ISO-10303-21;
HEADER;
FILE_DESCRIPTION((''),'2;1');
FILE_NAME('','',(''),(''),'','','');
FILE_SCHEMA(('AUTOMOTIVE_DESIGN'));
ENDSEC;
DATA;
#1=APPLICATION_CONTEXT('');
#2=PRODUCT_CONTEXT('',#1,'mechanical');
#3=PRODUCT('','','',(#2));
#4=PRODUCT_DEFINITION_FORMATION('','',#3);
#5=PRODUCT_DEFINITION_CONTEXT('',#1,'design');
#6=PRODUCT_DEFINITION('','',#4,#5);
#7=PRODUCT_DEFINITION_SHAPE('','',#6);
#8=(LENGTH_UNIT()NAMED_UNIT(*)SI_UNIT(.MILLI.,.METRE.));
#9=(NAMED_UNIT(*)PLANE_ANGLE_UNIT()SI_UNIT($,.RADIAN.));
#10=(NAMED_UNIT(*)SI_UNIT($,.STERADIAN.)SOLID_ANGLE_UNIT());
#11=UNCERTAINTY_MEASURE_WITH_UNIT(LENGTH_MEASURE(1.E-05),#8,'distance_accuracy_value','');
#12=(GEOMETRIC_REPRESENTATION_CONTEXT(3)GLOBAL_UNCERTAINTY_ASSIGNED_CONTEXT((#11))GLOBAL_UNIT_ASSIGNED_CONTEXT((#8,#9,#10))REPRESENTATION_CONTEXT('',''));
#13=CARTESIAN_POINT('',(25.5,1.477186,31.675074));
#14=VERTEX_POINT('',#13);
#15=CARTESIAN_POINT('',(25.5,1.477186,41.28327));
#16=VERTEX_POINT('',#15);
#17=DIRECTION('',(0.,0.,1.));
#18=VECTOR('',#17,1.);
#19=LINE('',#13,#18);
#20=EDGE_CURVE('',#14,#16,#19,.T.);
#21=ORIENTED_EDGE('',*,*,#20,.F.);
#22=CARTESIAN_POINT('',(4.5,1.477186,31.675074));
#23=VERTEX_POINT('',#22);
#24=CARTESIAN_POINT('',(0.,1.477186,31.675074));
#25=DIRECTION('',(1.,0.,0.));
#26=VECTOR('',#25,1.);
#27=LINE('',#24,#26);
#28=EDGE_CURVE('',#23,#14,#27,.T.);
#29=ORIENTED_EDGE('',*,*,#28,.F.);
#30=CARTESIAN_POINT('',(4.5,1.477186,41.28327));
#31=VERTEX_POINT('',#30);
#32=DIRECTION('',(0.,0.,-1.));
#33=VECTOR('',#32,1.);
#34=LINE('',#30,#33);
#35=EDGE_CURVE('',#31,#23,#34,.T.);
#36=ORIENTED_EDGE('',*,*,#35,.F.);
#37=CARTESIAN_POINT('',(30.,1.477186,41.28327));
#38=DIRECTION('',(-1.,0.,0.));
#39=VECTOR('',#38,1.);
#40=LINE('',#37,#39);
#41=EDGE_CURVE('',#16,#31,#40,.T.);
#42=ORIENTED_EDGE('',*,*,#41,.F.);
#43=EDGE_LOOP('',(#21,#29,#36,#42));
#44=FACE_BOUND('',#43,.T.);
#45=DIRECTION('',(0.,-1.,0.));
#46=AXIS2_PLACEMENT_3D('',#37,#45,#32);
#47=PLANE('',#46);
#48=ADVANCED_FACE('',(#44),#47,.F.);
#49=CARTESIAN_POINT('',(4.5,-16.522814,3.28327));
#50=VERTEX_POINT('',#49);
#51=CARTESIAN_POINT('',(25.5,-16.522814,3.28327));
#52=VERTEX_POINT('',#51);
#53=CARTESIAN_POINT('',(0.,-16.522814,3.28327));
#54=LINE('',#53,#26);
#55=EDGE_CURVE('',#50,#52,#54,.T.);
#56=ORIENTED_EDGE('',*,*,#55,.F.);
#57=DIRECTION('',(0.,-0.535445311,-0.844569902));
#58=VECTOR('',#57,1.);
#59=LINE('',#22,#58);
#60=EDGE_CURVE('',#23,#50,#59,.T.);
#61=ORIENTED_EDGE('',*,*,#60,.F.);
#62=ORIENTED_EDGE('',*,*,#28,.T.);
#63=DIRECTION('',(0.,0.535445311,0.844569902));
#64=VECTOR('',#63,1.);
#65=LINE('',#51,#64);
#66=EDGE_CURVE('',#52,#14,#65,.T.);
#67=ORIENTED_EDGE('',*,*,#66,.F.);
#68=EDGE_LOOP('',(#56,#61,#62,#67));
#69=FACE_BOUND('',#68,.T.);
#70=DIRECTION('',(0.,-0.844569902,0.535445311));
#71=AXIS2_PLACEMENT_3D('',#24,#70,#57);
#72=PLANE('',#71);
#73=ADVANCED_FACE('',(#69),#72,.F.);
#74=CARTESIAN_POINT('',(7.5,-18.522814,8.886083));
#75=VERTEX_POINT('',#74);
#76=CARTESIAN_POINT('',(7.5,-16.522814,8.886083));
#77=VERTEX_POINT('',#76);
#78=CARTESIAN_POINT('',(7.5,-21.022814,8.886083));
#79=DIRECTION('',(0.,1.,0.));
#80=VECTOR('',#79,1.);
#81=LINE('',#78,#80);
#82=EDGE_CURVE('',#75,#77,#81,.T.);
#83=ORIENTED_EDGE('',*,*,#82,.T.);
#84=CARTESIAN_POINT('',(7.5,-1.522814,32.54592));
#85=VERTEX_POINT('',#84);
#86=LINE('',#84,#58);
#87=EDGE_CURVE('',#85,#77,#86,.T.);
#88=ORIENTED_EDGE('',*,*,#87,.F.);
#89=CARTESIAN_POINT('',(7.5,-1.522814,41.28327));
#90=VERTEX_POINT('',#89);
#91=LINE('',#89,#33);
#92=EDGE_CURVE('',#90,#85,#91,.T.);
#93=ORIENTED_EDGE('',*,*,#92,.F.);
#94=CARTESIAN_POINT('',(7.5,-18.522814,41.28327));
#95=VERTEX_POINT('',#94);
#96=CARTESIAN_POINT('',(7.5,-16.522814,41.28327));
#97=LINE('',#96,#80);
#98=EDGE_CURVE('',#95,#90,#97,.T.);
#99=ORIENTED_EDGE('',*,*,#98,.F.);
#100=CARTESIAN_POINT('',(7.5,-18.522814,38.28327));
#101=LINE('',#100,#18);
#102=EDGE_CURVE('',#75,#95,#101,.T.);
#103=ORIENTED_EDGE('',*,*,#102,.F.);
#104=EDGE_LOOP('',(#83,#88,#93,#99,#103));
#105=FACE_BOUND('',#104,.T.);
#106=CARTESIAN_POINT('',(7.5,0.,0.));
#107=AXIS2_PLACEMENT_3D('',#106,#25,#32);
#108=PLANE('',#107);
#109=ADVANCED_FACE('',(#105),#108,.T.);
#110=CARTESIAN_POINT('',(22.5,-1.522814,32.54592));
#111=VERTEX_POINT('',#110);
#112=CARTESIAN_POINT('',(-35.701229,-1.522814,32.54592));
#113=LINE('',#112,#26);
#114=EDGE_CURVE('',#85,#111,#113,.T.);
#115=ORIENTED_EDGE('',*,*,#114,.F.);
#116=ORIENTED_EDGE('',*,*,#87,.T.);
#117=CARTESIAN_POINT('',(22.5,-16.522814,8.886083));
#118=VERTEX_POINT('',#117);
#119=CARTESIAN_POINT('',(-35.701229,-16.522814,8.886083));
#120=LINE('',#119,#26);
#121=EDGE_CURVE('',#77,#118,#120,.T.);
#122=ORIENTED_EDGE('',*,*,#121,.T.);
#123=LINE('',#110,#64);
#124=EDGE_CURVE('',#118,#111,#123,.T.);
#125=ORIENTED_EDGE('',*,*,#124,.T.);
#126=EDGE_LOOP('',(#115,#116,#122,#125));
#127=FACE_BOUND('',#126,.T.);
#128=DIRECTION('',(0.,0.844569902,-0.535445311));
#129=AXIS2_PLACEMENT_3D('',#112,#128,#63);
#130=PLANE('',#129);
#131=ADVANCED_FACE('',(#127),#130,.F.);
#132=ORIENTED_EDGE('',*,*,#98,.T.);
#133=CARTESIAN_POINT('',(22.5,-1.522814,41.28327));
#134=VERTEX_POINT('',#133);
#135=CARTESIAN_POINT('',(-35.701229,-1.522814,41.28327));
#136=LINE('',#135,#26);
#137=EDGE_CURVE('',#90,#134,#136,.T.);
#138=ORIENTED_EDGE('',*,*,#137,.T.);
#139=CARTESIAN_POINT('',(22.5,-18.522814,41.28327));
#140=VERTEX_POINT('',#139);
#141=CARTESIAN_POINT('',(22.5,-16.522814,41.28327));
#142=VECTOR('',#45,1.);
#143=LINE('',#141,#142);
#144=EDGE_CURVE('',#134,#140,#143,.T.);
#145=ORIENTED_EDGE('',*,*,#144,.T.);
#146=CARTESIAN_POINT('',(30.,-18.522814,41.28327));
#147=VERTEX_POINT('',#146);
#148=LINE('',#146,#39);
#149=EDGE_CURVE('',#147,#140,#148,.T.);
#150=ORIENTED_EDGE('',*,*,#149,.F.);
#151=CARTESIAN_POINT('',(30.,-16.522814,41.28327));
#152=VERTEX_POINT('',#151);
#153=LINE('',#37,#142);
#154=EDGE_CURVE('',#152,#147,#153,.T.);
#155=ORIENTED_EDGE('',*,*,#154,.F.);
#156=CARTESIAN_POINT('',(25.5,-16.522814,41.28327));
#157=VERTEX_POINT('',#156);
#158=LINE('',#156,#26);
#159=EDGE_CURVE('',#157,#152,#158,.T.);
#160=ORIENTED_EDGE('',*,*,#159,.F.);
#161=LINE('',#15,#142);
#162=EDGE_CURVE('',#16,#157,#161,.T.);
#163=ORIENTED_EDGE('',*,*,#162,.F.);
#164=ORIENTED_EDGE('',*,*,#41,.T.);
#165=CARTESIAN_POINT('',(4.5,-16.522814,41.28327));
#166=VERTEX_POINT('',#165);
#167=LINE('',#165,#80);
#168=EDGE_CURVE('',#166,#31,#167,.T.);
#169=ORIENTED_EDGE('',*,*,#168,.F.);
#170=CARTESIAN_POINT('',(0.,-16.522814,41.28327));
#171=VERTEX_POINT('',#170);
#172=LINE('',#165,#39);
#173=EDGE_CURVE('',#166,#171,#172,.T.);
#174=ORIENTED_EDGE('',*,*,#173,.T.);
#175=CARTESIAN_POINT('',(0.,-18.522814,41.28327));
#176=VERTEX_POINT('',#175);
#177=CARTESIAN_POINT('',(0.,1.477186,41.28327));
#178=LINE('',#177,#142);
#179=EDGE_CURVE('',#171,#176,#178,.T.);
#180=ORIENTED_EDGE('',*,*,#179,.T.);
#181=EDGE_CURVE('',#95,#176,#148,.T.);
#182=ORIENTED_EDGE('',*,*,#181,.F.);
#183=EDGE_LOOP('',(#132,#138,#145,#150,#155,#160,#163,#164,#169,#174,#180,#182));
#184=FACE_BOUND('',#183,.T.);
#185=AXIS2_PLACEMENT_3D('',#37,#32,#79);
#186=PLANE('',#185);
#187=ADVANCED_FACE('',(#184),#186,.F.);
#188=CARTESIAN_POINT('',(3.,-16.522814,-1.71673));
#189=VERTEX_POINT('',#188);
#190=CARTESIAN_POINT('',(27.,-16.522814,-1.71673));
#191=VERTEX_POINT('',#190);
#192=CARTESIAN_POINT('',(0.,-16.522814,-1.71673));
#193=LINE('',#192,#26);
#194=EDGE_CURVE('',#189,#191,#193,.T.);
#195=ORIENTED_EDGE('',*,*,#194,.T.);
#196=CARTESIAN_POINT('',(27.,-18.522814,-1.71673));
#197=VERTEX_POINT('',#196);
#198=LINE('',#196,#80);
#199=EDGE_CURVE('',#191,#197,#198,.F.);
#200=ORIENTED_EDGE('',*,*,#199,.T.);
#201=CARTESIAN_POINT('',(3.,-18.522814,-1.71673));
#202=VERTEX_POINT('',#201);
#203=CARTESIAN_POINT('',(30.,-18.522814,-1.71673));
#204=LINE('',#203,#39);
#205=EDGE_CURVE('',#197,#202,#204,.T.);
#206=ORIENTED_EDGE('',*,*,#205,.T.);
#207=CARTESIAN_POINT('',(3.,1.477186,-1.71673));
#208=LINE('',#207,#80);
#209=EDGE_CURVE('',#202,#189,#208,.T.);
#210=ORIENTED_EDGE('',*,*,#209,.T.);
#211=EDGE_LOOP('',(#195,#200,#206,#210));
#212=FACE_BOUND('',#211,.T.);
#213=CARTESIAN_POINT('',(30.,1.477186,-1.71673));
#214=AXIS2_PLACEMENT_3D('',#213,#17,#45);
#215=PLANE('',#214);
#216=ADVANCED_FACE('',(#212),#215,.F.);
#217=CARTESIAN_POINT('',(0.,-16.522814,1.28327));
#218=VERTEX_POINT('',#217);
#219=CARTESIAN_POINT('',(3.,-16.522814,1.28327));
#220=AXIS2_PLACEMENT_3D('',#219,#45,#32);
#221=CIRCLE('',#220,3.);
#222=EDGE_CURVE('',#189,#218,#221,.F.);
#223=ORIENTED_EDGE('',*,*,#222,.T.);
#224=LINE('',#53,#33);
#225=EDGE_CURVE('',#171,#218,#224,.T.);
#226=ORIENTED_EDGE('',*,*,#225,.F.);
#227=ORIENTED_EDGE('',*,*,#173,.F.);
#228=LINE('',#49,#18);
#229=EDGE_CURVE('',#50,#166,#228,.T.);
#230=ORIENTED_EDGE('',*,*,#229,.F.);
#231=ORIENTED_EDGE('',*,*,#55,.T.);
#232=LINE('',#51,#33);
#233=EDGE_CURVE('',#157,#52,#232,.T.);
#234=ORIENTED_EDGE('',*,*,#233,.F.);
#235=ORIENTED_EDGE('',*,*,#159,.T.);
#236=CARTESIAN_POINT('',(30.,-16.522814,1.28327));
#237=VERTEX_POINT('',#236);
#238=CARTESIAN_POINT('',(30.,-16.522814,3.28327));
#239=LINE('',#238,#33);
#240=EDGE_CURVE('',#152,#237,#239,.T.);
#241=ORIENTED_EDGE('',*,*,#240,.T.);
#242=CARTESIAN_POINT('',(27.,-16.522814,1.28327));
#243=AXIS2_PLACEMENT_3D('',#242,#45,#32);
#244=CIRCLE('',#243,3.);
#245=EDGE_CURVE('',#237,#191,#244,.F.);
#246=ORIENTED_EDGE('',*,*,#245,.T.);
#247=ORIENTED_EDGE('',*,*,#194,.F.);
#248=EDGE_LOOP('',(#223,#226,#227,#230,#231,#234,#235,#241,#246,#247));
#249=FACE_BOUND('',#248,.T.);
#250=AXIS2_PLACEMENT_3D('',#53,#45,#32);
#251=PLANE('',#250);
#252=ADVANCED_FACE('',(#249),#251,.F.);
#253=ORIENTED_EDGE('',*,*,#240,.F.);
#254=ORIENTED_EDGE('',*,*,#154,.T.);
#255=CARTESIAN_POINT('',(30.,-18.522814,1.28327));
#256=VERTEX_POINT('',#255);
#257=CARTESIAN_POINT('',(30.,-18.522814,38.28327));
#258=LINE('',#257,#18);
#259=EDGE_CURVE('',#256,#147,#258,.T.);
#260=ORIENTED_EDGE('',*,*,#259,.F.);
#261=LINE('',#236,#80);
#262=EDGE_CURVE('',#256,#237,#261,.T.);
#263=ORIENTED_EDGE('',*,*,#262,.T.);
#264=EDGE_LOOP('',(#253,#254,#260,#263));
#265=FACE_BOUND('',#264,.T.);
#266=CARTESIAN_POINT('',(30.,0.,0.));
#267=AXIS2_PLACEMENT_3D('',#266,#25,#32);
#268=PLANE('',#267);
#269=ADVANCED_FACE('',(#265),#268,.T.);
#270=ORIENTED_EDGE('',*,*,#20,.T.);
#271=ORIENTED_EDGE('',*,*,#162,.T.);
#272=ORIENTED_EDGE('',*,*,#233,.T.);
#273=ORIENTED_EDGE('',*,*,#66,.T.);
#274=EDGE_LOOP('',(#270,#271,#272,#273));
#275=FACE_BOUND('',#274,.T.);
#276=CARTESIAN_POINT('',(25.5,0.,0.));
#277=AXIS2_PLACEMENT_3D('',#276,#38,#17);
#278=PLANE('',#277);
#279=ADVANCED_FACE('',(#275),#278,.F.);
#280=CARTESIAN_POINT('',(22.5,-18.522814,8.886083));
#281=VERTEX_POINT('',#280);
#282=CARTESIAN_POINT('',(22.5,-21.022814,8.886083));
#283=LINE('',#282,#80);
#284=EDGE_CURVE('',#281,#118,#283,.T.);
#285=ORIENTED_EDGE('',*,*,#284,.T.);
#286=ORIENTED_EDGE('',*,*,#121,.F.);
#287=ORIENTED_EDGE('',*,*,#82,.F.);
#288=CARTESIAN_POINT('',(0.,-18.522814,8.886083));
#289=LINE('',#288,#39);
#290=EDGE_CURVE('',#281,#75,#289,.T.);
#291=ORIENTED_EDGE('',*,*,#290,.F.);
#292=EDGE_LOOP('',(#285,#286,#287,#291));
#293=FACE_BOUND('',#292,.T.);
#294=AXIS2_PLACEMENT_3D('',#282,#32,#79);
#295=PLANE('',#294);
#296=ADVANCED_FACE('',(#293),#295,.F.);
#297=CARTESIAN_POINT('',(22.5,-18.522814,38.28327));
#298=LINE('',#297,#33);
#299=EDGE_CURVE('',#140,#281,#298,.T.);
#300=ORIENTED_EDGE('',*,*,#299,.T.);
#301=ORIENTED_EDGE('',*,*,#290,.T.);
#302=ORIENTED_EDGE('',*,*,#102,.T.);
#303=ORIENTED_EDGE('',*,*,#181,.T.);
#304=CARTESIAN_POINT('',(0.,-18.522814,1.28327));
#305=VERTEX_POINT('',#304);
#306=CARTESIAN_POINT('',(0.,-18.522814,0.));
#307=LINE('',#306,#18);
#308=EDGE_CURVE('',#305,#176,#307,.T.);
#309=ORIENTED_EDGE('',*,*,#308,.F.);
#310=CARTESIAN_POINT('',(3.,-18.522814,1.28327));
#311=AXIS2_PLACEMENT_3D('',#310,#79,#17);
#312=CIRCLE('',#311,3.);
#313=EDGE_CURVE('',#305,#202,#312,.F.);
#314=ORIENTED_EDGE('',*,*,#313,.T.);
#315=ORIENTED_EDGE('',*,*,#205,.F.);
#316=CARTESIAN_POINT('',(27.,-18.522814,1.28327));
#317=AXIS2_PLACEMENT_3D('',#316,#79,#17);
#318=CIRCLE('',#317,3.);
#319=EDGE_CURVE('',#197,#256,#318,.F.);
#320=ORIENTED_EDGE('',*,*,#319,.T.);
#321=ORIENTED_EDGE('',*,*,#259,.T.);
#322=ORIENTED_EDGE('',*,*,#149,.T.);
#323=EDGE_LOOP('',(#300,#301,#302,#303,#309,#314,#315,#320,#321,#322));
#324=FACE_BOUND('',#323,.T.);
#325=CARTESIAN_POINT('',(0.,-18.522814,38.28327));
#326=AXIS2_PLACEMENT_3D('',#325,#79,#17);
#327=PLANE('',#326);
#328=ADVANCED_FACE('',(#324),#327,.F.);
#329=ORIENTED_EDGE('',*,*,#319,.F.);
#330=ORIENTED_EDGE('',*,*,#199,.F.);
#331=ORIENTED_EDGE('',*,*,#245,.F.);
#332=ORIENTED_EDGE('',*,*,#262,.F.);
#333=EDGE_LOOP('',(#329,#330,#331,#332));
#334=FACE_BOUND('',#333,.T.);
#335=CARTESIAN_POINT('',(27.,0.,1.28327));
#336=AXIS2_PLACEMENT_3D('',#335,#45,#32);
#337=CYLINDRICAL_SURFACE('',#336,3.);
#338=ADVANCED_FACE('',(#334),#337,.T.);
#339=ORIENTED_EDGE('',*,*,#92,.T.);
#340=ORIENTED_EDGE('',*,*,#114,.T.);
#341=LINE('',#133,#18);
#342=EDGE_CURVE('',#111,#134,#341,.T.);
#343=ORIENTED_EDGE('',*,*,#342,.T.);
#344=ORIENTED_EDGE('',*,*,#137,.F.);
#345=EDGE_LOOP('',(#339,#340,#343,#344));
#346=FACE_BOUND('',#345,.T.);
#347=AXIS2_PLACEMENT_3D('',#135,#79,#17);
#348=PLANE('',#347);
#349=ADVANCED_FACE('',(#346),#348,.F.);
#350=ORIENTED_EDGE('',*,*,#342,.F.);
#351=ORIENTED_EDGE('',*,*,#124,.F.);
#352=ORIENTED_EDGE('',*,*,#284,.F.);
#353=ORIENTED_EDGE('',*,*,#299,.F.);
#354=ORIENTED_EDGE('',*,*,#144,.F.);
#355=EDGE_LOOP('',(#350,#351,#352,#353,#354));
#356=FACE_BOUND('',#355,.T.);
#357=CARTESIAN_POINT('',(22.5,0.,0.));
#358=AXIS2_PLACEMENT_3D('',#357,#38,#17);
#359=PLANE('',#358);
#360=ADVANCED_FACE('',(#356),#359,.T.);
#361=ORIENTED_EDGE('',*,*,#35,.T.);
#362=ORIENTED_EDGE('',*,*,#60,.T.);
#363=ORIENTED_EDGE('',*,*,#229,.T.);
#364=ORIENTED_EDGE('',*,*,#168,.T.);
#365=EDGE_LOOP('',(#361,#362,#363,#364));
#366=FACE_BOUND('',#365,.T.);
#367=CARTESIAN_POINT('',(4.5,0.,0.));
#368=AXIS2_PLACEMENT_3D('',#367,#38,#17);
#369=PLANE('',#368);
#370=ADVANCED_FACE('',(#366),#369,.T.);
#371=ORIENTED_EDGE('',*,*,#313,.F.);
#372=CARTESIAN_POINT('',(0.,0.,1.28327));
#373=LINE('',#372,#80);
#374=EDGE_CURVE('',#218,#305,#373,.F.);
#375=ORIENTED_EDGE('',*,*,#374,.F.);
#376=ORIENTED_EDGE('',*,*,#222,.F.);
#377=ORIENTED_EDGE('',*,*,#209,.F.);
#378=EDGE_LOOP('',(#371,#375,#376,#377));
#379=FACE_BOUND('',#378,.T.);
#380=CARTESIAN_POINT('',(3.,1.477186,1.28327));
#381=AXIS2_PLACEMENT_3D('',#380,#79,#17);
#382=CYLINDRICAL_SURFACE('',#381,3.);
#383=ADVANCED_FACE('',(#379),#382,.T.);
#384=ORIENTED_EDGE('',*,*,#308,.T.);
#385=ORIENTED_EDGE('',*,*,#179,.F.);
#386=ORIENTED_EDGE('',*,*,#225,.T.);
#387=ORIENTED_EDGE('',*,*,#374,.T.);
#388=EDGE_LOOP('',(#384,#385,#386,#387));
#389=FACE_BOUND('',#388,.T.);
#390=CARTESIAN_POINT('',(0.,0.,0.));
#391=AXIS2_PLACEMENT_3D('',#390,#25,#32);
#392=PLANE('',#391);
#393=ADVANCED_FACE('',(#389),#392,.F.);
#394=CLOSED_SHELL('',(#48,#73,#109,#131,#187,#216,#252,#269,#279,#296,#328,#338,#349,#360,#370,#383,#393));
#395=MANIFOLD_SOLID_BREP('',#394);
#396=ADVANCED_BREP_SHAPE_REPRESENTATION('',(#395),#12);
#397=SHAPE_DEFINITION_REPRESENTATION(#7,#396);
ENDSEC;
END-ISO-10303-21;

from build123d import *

# Parameters (mm, degrees)
CROQUIS2_W              = 43
CROQUIS2_H              = 30
SALIENTE_EXTRUIR1_DEPTH = 30
CROQUIS3_W              = 42.529407755
CROQUIS3_H              = 25.558495791
CORTAR_EXTRUIR1_DEPTH   = 30
CORTAR_EXTRUIR2_START   = -7.5
CORTAR_EXTRUIR2_DEPTH   = 15
CORTAR_EXTRUIR4_DEPTH   = 4.5
CORTAR_EXTRUIR5_DEPTH   = 4.5
REDONDEO1_R             = 3
CROQUIS8_W              = 15
CROQUIS8_H              = 32.397186909
CORTAR_EXTRUIR6_DEPTH   = 4.5
CROQUIS9_W              = 120.283196461
CROQUIS9_H              = 78.810135234
CORTAR_EXTRUIR7_DEPTH   = 22.5


with BuildPart() as part:
    # Croquis2 → Saliente-Extruir1 (new body)
    with BuildSketch(Plane(origin=(0, 0, 0), x_dir=(0, 0, -1), z_dir=(1, 0, 0))):
        with Locations((-19.783269962, -13.522813688)):
            Rectangle(CROQUIS2_W, CROQUIS2_H)
    extrude(amount=SALIENTE_EXTRUIR1_DEPTH)

    # Croquis3 → Cortar-Extruir1 (cut)
    with BuildSketch(Plane(origin=(30, 0, 0), x_dir=(0, 0, -1), z_dir=(1, 0, 0))):
        with Locations((-17.018566085, -31.302061584)):
            Rectangle(CROQUIS3_W, CROQUIS3_H)
        Polygon((-31.675073764, 1.477186312), (-3.283269962, -16.522813688), (1.716730038, -16.522813688), (1.716730038, 1.477186312), align=None)
    extrude(amount=-CORTAR_EXTRUIR1_DEPTH, mode=Mode.SUBTRACT)

    # Croquis4 → Cortar-Extruir2 (cut)
    with BuildSketch(Plane(origin=(30, 0, 0), x_dir=(0, 0, -1), z_dir=(1, 0, 0)).offset(CORTAR_EXTRUIR2_START)):
        Polygon((-41.283269962, -1.522813688), (-32.545919554, -1.522813688), (-8.886083053, -16.522813688), (-41.283269962, -16.522813688), align=None)
    extrude(amount=-CORTAR_EXTRUIR2_DEPTH, mode=Mode.SUBTRACT)

    # Croquis5 → Cortar-Extruir4 (cut)
    with BuildSketch(Plane(origin=(30, 0, 0), x_dir=(0, 0, -1), z_dir=(1, 0, 0))):
        Polygon((-3.283269962, -16.522813688), (-41.283269962, -16.522813688), (-41.283269962, 1.477186312), (-31.675073764, 1.477186312), align=None)
    extrude(amount=-CORTAR_EXTRUIR4_DEPTH, mode=Mode.SUBTRACT)

    # Croquis6 → Cortar-Extruir5 (cut)
    with BuildSketch(Plane.ZY):
        Polygon((3.283269962, -16.522813688), (41.283269962, -16.522813688), (41.283269962, 1.477186312), (31.675073764, 1.477186312), align=None)
    extrude(amount=-CORTAR_EXTRUIR5_DEPTH, mode=Mode.SUBTRACT)

    # Redondeo1
    redondeo1_edges = [part.edges().sort_by_distance(p)[0] for p in [
        (0, -17.522813688, -1.716730038),
        (30, -17.522813688, -1.716730038),
    ]]
    fillet(redondeo1_edges, radius=REDONDEO1_R)

    # Croquis8 → Cortar-Extruir6 (cut)
    with BuildSketch(Plane(origin=(0, -16.522813688, 0), x_dir=(1, 0, 0), z_dir=(0, 1, 0))):
        with Locations((15, -25.084676508)):
            Rectangle(CROQUIS8_W, CROQUIS8_H)
    extrude(amount=-CORTAR_EXTRUIR6_DEPTH, mode=Mode.SUBTRACT)

    # Croquis9 → Cortar-Extruir7 (cut)
    with BuildSketch(Plane.XZ.offset(18.522813688)):
        with Locations((17.6156444, 62.089659259)):
            Rectangle(CROQUIS9_W, CROQUIS9_H)
    extrude(amount=CORTAR_EXTRUIR7_DEPTH, mode=Mode.SUBTRACT)


solid = part.part
